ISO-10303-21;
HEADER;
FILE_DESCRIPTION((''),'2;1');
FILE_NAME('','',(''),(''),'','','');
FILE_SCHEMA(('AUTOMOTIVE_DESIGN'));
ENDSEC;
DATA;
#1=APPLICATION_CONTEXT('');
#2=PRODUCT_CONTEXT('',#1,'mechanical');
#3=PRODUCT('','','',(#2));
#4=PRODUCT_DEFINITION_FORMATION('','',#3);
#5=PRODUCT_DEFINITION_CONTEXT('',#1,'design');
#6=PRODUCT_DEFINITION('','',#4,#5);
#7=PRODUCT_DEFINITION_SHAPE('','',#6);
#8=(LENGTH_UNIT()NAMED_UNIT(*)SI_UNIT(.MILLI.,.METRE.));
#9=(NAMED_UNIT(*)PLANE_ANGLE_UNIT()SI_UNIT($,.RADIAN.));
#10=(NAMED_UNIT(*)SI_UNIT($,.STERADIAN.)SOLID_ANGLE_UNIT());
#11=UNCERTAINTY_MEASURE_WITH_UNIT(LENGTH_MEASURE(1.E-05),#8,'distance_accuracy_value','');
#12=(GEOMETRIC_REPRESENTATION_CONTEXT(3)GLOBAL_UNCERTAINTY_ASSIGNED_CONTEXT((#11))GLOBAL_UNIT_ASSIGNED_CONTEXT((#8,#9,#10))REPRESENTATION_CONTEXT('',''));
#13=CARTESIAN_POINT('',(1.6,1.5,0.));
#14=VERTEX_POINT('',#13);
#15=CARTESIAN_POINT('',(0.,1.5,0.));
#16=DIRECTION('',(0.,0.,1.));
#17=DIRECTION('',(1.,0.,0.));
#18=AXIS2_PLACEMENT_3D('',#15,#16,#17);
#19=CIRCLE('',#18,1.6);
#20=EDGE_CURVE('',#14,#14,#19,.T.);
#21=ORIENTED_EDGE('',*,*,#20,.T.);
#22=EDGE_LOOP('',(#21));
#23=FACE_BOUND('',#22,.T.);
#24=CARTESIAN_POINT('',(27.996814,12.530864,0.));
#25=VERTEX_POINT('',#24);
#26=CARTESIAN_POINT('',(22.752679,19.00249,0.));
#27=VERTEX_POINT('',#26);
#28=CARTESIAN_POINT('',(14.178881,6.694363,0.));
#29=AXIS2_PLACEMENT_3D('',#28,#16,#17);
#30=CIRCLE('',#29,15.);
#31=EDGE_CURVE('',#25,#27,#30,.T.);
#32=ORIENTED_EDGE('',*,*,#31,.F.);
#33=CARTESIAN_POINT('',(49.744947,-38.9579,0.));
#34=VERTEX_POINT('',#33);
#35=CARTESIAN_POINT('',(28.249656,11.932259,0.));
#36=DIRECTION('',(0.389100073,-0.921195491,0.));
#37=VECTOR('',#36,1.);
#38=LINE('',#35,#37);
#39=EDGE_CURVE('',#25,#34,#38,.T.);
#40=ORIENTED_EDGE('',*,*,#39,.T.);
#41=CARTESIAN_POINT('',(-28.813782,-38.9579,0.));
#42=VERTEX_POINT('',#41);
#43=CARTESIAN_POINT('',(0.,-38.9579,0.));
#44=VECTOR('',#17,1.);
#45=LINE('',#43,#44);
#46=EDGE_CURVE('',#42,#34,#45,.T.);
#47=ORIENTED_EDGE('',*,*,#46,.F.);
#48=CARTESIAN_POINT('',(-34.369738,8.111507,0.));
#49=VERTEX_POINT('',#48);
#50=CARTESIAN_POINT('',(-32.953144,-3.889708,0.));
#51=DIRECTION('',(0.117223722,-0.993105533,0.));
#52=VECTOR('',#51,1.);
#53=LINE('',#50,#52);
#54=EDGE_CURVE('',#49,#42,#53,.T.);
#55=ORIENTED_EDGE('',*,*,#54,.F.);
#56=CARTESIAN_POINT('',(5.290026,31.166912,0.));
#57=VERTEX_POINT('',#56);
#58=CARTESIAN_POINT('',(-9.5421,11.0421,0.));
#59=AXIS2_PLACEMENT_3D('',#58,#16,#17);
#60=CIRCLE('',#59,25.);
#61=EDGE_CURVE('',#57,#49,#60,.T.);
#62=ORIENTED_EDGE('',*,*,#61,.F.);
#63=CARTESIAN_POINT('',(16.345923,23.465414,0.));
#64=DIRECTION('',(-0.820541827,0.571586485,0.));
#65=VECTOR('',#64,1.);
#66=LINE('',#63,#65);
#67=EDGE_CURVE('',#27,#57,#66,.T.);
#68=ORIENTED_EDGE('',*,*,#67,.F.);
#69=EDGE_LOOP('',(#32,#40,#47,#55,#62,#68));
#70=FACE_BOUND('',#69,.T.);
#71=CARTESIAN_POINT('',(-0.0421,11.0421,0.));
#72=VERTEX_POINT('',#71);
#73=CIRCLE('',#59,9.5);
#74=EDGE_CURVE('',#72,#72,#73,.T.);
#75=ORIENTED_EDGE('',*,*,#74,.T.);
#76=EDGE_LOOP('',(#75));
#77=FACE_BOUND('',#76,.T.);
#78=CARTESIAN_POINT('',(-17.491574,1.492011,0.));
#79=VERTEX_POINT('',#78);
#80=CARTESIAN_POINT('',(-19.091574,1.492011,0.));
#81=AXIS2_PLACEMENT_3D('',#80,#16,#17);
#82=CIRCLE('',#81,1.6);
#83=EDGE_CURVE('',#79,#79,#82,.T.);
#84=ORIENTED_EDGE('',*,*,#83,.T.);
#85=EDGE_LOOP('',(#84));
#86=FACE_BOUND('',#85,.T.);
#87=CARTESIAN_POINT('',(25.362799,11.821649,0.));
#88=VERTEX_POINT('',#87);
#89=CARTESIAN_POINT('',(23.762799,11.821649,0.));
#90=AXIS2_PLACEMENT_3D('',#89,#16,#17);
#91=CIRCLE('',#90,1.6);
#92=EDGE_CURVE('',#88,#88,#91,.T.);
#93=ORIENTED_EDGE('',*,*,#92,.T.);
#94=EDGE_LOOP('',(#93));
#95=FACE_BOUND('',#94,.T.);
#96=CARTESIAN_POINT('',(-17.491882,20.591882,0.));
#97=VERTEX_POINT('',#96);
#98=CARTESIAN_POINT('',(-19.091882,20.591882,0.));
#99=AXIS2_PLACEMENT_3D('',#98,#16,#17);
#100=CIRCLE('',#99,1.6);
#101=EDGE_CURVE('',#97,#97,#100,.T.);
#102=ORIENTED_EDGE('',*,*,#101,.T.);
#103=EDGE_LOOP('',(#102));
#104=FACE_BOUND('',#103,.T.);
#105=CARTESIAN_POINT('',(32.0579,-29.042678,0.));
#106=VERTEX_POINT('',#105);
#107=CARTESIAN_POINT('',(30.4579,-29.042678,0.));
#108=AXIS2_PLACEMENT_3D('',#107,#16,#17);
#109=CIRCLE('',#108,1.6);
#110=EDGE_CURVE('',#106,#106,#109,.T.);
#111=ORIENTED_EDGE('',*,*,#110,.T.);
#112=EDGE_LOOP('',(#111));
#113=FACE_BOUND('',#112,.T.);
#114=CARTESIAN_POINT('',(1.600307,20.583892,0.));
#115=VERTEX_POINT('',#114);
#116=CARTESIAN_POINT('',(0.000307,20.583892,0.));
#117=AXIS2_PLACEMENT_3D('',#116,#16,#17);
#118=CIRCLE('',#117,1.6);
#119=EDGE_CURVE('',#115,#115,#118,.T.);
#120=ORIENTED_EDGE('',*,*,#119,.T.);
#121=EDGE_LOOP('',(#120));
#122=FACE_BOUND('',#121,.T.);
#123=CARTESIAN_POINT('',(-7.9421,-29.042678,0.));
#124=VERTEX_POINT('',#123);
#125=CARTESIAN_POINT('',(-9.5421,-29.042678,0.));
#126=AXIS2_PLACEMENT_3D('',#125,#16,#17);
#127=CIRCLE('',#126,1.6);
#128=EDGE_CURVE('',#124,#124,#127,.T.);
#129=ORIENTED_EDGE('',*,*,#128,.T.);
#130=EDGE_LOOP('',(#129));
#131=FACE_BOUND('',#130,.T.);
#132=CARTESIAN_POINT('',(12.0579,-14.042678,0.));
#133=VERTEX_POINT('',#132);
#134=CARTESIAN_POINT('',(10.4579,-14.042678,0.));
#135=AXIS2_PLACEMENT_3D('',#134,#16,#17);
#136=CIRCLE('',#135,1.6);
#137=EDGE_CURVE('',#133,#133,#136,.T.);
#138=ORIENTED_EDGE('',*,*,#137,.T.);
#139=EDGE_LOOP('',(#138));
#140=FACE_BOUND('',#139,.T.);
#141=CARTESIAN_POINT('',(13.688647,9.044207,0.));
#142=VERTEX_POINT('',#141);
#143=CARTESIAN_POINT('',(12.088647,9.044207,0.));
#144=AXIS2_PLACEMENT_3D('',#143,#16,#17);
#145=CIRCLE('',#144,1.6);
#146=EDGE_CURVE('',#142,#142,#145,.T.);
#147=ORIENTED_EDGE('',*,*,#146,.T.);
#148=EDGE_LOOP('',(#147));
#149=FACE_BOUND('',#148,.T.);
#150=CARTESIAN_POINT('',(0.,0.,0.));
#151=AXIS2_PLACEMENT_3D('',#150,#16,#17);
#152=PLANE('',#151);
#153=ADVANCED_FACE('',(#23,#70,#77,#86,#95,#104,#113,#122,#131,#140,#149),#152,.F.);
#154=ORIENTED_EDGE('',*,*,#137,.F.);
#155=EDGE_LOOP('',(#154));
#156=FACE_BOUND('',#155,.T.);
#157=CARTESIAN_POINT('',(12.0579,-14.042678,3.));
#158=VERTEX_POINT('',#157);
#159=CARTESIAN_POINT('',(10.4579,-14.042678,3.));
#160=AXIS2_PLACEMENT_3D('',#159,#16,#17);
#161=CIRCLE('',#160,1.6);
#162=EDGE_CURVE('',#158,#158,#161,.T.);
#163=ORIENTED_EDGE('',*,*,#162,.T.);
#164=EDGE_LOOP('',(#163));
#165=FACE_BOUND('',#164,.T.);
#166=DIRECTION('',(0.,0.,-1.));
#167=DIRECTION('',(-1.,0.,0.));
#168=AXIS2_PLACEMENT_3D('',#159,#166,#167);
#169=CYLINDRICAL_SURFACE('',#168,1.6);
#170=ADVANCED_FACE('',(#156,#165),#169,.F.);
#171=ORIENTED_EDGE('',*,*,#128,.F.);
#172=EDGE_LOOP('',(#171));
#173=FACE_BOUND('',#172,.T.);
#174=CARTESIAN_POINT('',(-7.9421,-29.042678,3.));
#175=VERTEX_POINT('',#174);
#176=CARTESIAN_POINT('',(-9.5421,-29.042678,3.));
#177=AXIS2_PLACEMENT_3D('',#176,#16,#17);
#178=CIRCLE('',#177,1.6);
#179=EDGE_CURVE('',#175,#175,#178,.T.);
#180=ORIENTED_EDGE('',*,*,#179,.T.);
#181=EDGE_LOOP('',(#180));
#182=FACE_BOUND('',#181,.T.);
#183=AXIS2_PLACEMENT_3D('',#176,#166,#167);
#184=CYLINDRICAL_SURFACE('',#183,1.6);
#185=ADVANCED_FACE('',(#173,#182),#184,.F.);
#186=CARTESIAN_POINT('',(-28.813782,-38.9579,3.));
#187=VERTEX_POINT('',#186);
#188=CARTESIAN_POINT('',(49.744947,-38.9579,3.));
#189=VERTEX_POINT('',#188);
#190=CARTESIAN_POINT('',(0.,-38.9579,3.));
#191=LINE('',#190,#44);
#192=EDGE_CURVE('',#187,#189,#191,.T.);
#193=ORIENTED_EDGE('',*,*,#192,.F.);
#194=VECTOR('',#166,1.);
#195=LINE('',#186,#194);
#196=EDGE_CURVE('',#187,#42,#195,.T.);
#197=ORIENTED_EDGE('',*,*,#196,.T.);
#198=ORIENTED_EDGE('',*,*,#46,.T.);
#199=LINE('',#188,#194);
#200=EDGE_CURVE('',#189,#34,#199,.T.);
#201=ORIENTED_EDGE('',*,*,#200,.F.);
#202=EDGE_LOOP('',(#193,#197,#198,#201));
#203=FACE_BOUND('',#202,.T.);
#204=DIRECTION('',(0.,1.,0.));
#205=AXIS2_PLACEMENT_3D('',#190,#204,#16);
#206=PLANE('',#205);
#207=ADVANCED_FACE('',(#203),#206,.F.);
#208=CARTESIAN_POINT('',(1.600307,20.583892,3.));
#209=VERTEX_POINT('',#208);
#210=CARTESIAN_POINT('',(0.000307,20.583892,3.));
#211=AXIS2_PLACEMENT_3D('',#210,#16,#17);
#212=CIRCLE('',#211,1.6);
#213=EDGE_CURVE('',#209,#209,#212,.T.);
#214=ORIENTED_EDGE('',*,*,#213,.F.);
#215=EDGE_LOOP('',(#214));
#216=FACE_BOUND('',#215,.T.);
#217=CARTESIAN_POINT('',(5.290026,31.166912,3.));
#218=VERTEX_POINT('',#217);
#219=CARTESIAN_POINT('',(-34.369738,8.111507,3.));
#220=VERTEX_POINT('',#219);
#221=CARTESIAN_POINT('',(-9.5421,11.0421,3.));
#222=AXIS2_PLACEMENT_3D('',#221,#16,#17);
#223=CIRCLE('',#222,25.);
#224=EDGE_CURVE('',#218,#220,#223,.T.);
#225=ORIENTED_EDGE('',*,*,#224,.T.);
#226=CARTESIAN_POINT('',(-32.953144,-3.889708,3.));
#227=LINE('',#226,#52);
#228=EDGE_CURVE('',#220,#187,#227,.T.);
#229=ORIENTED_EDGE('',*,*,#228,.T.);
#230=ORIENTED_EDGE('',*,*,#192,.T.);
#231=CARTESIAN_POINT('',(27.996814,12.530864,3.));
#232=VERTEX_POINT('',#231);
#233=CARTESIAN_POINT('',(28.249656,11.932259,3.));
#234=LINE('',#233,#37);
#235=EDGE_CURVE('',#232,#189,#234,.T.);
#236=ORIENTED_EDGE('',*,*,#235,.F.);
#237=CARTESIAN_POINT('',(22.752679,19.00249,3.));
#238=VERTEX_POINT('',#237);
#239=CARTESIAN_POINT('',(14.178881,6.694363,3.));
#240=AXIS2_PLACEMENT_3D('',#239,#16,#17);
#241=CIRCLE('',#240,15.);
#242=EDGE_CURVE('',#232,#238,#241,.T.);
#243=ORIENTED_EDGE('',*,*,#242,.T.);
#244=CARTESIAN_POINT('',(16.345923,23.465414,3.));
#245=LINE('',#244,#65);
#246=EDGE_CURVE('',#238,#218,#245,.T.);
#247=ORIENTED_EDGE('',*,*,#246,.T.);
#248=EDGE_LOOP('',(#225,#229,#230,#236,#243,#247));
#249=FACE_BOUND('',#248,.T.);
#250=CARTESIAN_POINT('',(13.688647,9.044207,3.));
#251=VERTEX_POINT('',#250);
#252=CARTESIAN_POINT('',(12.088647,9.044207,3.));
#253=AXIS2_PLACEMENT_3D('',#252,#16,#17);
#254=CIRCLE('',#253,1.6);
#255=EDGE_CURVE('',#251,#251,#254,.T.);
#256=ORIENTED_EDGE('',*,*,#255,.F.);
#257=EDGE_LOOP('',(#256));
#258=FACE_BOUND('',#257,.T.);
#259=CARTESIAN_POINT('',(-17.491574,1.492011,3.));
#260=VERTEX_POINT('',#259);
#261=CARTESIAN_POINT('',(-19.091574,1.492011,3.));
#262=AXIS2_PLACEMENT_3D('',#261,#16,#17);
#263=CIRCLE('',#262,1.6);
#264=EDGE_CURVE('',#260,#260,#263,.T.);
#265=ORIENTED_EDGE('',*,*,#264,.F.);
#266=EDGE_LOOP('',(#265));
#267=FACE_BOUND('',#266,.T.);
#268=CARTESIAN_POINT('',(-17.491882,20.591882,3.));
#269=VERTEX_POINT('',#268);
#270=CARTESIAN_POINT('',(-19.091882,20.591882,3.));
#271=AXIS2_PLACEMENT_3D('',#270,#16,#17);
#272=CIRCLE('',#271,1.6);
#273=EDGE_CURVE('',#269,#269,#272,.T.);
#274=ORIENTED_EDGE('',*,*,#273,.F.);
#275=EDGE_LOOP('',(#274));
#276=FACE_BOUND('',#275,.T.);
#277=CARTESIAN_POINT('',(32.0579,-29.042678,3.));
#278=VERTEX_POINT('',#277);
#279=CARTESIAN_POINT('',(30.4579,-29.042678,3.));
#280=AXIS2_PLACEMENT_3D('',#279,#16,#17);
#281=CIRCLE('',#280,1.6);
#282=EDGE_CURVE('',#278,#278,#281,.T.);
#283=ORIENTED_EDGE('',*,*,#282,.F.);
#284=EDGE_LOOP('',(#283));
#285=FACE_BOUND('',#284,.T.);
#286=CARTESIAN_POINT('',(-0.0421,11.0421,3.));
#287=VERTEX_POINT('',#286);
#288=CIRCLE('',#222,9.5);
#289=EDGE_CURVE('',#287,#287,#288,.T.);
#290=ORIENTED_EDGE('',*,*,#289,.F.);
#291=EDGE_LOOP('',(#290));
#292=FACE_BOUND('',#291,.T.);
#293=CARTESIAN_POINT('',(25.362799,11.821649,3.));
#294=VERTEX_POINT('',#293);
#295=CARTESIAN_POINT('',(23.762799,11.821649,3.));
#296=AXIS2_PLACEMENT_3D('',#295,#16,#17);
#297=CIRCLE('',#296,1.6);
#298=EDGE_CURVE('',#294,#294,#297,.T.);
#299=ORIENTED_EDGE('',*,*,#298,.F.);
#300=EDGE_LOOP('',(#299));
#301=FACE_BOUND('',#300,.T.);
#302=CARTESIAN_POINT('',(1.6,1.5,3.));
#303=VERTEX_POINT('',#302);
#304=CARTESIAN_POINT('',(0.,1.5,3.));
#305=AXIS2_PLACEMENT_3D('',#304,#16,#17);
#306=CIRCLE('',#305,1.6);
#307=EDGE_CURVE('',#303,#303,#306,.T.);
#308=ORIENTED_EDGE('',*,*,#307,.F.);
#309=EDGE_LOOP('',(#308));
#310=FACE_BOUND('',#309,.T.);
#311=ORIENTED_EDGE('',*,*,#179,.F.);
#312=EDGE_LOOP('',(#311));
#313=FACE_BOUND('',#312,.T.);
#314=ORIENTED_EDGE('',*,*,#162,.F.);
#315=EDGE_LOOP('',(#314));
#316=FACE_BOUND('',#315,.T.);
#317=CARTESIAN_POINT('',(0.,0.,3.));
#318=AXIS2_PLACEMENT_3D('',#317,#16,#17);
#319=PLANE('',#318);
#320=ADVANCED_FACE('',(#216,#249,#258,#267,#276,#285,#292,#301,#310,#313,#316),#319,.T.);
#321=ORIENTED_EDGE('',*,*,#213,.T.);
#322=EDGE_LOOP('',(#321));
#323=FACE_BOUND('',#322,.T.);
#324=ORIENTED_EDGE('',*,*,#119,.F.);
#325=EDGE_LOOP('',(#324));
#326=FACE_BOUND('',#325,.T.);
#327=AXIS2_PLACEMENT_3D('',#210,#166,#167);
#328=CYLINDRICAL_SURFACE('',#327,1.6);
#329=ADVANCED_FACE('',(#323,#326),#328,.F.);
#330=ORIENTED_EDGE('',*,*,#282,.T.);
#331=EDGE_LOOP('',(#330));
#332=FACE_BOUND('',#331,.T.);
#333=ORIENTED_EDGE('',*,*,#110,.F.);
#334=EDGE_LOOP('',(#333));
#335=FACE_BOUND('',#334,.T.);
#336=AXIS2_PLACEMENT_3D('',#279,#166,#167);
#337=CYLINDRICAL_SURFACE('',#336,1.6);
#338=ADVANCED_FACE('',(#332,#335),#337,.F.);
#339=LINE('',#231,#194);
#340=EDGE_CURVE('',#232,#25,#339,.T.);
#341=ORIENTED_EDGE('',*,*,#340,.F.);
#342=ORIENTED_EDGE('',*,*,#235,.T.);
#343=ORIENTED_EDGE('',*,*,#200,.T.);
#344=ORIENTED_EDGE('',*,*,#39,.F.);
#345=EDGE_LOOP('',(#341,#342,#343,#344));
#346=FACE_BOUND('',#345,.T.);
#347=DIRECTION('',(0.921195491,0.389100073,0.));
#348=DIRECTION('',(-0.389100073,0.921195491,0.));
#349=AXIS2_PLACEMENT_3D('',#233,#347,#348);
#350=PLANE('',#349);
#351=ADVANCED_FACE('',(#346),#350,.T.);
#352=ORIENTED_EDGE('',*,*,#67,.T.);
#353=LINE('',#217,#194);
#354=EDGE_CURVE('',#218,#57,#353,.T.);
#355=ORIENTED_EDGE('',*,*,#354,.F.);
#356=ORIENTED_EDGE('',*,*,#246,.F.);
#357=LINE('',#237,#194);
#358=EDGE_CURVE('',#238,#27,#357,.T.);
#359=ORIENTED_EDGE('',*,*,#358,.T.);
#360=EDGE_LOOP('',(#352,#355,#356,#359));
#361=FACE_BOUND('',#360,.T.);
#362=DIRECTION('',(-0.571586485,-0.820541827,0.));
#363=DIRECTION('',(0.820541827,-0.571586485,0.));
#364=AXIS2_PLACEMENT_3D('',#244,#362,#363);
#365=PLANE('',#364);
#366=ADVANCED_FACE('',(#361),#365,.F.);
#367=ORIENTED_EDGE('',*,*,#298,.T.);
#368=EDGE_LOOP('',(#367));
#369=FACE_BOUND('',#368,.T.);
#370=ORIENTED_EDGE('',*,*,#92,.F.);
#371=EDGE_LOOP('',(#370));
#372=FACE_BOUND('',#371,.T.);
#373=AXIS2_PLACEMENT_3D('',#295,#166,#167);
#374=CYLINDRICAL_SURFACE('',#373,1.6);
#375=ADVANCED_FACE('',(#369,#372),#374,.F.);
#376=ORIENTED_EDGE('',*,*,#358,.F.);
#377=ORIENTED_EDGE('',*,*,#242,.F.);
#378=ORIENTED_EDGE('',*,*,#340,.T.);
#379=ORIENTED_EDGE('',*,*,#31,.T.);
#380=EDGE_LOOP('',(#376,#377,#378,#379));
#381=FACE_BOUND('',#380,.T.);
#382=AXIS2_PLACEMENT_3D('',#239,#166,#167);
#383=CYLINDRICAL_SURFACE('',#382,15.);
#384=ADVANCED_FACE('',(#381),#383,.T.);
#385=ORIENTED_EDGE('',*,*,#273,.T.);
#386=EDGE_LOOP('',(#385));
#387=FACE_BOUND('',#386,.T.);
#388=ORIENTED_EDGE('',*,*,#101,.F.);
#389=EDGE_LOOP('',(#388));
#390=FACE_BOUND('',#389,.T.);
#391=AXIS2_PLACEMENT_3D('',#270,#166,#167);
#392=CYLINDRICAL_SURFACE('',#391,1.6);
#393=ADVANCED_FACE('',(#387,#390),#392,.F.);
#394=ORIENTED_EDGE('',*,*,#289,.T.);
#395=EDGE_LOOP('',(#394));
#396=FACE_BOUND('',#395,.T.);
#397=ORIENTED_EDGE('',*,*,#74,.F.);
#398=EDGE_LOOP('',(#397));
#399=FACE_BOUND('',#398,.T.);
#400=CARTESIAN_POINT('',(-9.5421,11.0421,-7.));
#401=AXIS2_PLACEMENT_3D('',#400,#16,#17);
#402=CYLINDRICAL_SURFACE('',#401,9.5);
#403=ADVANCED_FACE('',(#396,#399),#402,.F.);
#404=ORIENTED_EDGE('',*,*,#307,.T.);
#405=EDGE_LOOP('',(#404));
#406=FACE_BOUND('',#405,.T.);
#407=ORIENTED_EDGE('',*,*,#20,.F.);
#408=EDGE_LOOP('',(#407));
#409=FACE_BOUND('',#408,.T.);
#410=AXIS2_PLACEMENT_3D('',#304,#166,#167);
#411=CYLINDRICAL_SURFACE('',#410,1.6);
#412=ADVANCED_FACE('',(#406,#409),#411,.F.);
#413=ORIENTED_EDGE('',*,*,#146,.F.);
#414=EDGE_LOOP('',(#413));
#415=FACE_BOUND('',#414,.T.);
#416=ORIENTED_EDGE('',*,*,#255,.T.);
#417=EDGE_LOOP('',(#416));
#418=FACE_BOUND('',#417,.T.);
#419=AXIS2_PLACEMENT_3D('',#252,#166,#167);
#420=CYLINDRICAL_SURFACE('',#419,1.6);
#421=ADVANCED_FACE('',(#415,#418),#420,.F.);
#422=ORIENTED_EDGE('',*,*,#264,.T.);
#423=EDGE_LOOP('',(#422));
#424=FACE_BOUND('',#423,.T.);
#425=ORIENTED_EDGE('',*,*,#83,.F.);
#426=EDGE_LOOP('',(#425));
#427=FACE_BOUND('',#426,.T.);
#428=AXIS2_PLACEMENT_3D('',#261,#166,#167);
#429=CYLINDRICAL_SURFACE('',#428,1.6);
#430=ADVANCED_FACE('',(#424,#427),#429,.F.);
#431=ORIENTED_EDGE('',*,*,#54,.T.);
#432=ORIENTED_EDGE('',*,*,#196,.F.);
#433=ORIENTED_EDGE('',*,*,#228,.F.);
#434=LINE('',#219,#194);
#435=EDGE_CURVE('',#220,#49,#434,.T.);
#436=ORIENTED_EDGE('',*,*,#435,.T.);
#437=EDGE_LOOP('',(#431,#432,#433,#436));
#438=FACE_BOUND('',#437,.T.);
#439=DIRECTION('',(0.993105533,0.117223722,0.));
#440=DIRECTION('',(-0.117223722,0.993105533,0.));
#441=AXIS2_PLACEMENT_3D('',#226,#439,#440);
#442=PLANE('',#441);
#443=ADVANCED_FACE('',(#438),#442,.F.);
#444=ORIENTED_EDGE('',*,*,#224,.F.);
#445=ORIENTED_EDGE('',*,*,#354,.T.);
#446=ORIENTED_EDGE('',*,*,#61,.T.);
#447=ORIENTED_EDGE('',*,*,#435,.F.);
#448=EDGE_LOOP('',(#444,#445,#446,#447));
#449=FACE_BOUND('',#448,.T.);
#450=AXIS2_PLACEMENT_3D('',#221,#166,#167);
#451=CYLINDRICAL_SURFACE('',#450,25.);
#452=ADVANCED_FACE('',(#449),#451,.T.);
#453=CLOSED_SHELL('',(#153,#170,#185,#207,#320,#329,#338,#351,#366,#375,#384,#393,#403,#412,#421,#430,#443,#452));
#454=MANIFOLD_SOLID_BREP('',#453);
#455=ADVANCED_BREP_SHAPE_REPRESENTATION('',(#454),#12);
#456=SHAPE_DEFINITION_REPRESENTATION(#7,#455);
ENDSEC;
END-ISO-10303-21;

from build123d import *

# Parameters (mm, degrees)
SKETCH_1_R          = 1.6
SKETCH_1_R_2        = 8
EXTRUDE_1_DEPTH     = 3
SKETCH_2_R          = 9.5
CUT_EXTRUDE_1_DEPTH = 10


with BuildPart() as part:
    # 草图1 → 凸台-拉伸1 (new body)
    with BuildSketch(Plane.XY):
        with BuildLine():
            Line((27.996813697, 12.530864127), (49.744946635, -38.957900319))
            Line((49.744946635, -38.957900319), (-28.813781546, -38.957900319))
            Line((-28.813781546, -38.957900319), (-34.369737997, 8.111506623))
            ThreePointArc((-34.369737997, 8.111506623), (-22.106553261, 32.655394345), (5.290025786, 31.166911584))
            Line((5.290025786, 31.166911584), (22.752678609, 19.002490435))
            ThreePointArc((22.752678609, 19.002490435), (25.832973998, 16.137991786), (27.996813697, 12.530864127))
        make_face()
        with Locations((-19.091881546, 20.591881546)):
            Circle(SKETCH_1_R, mode=Mode.SUBTRACT)
        with Locations((-19.09157413, 1.492010657)):
            Circle(SKETCH_1_R, mode=Mode.SUBTRACT)
        with Locations((0, 1.5)):
            Circle(SKETCH_1_R, mode=Mode.SUBTRACT)
        with Locations((0.000307159, 20.583891946)):
            Circle(SKETCH_1_R, mode=Mode.SUBTRACT)
        with Locations((-9.542099681, 11.042099681)):
            Circle(SKETCH_1_R_2, mode=Mode.SUBTRACT)
        with Locations((10.457900319, -14.042678355)):
            Circle(SKETCH_1_R, mode=Mode.SUBTRACT)
        with Locations((30.457900319, -29.042678355)):
            Circle(SKETCH_1_R, mode=Mode.SUBTRACT)
        with Locations((-9.542099681, -29.042678355)):
            Circle(SKETCH_1_R, mode=Mode.SUBTRACT)
        with Locations((23.762798875, 11.821649257)):
            Circle(SKETCH_1_R, mode=Mode.SUBTRACT)
        with Locations((12.088647332, 9.044206953)):
            Circle(SKETCH_1_R, mode=Mode.SUBTRACT)
    extrude(amount=EXTRUDE_1_DEPTH)

    # 草图2 → 切除-拉伸1 (cut)
    with BuildSketch(Plane.XY.offset(3)):
        with Locations((-9.542099681, 11.042099681)):
            Circle(SKETCH_2_R)
    extrude(amount=-CUT_EXTRUDE_1_DEPTH, mode=Mode.SUBTRACT)


solid = part.part
